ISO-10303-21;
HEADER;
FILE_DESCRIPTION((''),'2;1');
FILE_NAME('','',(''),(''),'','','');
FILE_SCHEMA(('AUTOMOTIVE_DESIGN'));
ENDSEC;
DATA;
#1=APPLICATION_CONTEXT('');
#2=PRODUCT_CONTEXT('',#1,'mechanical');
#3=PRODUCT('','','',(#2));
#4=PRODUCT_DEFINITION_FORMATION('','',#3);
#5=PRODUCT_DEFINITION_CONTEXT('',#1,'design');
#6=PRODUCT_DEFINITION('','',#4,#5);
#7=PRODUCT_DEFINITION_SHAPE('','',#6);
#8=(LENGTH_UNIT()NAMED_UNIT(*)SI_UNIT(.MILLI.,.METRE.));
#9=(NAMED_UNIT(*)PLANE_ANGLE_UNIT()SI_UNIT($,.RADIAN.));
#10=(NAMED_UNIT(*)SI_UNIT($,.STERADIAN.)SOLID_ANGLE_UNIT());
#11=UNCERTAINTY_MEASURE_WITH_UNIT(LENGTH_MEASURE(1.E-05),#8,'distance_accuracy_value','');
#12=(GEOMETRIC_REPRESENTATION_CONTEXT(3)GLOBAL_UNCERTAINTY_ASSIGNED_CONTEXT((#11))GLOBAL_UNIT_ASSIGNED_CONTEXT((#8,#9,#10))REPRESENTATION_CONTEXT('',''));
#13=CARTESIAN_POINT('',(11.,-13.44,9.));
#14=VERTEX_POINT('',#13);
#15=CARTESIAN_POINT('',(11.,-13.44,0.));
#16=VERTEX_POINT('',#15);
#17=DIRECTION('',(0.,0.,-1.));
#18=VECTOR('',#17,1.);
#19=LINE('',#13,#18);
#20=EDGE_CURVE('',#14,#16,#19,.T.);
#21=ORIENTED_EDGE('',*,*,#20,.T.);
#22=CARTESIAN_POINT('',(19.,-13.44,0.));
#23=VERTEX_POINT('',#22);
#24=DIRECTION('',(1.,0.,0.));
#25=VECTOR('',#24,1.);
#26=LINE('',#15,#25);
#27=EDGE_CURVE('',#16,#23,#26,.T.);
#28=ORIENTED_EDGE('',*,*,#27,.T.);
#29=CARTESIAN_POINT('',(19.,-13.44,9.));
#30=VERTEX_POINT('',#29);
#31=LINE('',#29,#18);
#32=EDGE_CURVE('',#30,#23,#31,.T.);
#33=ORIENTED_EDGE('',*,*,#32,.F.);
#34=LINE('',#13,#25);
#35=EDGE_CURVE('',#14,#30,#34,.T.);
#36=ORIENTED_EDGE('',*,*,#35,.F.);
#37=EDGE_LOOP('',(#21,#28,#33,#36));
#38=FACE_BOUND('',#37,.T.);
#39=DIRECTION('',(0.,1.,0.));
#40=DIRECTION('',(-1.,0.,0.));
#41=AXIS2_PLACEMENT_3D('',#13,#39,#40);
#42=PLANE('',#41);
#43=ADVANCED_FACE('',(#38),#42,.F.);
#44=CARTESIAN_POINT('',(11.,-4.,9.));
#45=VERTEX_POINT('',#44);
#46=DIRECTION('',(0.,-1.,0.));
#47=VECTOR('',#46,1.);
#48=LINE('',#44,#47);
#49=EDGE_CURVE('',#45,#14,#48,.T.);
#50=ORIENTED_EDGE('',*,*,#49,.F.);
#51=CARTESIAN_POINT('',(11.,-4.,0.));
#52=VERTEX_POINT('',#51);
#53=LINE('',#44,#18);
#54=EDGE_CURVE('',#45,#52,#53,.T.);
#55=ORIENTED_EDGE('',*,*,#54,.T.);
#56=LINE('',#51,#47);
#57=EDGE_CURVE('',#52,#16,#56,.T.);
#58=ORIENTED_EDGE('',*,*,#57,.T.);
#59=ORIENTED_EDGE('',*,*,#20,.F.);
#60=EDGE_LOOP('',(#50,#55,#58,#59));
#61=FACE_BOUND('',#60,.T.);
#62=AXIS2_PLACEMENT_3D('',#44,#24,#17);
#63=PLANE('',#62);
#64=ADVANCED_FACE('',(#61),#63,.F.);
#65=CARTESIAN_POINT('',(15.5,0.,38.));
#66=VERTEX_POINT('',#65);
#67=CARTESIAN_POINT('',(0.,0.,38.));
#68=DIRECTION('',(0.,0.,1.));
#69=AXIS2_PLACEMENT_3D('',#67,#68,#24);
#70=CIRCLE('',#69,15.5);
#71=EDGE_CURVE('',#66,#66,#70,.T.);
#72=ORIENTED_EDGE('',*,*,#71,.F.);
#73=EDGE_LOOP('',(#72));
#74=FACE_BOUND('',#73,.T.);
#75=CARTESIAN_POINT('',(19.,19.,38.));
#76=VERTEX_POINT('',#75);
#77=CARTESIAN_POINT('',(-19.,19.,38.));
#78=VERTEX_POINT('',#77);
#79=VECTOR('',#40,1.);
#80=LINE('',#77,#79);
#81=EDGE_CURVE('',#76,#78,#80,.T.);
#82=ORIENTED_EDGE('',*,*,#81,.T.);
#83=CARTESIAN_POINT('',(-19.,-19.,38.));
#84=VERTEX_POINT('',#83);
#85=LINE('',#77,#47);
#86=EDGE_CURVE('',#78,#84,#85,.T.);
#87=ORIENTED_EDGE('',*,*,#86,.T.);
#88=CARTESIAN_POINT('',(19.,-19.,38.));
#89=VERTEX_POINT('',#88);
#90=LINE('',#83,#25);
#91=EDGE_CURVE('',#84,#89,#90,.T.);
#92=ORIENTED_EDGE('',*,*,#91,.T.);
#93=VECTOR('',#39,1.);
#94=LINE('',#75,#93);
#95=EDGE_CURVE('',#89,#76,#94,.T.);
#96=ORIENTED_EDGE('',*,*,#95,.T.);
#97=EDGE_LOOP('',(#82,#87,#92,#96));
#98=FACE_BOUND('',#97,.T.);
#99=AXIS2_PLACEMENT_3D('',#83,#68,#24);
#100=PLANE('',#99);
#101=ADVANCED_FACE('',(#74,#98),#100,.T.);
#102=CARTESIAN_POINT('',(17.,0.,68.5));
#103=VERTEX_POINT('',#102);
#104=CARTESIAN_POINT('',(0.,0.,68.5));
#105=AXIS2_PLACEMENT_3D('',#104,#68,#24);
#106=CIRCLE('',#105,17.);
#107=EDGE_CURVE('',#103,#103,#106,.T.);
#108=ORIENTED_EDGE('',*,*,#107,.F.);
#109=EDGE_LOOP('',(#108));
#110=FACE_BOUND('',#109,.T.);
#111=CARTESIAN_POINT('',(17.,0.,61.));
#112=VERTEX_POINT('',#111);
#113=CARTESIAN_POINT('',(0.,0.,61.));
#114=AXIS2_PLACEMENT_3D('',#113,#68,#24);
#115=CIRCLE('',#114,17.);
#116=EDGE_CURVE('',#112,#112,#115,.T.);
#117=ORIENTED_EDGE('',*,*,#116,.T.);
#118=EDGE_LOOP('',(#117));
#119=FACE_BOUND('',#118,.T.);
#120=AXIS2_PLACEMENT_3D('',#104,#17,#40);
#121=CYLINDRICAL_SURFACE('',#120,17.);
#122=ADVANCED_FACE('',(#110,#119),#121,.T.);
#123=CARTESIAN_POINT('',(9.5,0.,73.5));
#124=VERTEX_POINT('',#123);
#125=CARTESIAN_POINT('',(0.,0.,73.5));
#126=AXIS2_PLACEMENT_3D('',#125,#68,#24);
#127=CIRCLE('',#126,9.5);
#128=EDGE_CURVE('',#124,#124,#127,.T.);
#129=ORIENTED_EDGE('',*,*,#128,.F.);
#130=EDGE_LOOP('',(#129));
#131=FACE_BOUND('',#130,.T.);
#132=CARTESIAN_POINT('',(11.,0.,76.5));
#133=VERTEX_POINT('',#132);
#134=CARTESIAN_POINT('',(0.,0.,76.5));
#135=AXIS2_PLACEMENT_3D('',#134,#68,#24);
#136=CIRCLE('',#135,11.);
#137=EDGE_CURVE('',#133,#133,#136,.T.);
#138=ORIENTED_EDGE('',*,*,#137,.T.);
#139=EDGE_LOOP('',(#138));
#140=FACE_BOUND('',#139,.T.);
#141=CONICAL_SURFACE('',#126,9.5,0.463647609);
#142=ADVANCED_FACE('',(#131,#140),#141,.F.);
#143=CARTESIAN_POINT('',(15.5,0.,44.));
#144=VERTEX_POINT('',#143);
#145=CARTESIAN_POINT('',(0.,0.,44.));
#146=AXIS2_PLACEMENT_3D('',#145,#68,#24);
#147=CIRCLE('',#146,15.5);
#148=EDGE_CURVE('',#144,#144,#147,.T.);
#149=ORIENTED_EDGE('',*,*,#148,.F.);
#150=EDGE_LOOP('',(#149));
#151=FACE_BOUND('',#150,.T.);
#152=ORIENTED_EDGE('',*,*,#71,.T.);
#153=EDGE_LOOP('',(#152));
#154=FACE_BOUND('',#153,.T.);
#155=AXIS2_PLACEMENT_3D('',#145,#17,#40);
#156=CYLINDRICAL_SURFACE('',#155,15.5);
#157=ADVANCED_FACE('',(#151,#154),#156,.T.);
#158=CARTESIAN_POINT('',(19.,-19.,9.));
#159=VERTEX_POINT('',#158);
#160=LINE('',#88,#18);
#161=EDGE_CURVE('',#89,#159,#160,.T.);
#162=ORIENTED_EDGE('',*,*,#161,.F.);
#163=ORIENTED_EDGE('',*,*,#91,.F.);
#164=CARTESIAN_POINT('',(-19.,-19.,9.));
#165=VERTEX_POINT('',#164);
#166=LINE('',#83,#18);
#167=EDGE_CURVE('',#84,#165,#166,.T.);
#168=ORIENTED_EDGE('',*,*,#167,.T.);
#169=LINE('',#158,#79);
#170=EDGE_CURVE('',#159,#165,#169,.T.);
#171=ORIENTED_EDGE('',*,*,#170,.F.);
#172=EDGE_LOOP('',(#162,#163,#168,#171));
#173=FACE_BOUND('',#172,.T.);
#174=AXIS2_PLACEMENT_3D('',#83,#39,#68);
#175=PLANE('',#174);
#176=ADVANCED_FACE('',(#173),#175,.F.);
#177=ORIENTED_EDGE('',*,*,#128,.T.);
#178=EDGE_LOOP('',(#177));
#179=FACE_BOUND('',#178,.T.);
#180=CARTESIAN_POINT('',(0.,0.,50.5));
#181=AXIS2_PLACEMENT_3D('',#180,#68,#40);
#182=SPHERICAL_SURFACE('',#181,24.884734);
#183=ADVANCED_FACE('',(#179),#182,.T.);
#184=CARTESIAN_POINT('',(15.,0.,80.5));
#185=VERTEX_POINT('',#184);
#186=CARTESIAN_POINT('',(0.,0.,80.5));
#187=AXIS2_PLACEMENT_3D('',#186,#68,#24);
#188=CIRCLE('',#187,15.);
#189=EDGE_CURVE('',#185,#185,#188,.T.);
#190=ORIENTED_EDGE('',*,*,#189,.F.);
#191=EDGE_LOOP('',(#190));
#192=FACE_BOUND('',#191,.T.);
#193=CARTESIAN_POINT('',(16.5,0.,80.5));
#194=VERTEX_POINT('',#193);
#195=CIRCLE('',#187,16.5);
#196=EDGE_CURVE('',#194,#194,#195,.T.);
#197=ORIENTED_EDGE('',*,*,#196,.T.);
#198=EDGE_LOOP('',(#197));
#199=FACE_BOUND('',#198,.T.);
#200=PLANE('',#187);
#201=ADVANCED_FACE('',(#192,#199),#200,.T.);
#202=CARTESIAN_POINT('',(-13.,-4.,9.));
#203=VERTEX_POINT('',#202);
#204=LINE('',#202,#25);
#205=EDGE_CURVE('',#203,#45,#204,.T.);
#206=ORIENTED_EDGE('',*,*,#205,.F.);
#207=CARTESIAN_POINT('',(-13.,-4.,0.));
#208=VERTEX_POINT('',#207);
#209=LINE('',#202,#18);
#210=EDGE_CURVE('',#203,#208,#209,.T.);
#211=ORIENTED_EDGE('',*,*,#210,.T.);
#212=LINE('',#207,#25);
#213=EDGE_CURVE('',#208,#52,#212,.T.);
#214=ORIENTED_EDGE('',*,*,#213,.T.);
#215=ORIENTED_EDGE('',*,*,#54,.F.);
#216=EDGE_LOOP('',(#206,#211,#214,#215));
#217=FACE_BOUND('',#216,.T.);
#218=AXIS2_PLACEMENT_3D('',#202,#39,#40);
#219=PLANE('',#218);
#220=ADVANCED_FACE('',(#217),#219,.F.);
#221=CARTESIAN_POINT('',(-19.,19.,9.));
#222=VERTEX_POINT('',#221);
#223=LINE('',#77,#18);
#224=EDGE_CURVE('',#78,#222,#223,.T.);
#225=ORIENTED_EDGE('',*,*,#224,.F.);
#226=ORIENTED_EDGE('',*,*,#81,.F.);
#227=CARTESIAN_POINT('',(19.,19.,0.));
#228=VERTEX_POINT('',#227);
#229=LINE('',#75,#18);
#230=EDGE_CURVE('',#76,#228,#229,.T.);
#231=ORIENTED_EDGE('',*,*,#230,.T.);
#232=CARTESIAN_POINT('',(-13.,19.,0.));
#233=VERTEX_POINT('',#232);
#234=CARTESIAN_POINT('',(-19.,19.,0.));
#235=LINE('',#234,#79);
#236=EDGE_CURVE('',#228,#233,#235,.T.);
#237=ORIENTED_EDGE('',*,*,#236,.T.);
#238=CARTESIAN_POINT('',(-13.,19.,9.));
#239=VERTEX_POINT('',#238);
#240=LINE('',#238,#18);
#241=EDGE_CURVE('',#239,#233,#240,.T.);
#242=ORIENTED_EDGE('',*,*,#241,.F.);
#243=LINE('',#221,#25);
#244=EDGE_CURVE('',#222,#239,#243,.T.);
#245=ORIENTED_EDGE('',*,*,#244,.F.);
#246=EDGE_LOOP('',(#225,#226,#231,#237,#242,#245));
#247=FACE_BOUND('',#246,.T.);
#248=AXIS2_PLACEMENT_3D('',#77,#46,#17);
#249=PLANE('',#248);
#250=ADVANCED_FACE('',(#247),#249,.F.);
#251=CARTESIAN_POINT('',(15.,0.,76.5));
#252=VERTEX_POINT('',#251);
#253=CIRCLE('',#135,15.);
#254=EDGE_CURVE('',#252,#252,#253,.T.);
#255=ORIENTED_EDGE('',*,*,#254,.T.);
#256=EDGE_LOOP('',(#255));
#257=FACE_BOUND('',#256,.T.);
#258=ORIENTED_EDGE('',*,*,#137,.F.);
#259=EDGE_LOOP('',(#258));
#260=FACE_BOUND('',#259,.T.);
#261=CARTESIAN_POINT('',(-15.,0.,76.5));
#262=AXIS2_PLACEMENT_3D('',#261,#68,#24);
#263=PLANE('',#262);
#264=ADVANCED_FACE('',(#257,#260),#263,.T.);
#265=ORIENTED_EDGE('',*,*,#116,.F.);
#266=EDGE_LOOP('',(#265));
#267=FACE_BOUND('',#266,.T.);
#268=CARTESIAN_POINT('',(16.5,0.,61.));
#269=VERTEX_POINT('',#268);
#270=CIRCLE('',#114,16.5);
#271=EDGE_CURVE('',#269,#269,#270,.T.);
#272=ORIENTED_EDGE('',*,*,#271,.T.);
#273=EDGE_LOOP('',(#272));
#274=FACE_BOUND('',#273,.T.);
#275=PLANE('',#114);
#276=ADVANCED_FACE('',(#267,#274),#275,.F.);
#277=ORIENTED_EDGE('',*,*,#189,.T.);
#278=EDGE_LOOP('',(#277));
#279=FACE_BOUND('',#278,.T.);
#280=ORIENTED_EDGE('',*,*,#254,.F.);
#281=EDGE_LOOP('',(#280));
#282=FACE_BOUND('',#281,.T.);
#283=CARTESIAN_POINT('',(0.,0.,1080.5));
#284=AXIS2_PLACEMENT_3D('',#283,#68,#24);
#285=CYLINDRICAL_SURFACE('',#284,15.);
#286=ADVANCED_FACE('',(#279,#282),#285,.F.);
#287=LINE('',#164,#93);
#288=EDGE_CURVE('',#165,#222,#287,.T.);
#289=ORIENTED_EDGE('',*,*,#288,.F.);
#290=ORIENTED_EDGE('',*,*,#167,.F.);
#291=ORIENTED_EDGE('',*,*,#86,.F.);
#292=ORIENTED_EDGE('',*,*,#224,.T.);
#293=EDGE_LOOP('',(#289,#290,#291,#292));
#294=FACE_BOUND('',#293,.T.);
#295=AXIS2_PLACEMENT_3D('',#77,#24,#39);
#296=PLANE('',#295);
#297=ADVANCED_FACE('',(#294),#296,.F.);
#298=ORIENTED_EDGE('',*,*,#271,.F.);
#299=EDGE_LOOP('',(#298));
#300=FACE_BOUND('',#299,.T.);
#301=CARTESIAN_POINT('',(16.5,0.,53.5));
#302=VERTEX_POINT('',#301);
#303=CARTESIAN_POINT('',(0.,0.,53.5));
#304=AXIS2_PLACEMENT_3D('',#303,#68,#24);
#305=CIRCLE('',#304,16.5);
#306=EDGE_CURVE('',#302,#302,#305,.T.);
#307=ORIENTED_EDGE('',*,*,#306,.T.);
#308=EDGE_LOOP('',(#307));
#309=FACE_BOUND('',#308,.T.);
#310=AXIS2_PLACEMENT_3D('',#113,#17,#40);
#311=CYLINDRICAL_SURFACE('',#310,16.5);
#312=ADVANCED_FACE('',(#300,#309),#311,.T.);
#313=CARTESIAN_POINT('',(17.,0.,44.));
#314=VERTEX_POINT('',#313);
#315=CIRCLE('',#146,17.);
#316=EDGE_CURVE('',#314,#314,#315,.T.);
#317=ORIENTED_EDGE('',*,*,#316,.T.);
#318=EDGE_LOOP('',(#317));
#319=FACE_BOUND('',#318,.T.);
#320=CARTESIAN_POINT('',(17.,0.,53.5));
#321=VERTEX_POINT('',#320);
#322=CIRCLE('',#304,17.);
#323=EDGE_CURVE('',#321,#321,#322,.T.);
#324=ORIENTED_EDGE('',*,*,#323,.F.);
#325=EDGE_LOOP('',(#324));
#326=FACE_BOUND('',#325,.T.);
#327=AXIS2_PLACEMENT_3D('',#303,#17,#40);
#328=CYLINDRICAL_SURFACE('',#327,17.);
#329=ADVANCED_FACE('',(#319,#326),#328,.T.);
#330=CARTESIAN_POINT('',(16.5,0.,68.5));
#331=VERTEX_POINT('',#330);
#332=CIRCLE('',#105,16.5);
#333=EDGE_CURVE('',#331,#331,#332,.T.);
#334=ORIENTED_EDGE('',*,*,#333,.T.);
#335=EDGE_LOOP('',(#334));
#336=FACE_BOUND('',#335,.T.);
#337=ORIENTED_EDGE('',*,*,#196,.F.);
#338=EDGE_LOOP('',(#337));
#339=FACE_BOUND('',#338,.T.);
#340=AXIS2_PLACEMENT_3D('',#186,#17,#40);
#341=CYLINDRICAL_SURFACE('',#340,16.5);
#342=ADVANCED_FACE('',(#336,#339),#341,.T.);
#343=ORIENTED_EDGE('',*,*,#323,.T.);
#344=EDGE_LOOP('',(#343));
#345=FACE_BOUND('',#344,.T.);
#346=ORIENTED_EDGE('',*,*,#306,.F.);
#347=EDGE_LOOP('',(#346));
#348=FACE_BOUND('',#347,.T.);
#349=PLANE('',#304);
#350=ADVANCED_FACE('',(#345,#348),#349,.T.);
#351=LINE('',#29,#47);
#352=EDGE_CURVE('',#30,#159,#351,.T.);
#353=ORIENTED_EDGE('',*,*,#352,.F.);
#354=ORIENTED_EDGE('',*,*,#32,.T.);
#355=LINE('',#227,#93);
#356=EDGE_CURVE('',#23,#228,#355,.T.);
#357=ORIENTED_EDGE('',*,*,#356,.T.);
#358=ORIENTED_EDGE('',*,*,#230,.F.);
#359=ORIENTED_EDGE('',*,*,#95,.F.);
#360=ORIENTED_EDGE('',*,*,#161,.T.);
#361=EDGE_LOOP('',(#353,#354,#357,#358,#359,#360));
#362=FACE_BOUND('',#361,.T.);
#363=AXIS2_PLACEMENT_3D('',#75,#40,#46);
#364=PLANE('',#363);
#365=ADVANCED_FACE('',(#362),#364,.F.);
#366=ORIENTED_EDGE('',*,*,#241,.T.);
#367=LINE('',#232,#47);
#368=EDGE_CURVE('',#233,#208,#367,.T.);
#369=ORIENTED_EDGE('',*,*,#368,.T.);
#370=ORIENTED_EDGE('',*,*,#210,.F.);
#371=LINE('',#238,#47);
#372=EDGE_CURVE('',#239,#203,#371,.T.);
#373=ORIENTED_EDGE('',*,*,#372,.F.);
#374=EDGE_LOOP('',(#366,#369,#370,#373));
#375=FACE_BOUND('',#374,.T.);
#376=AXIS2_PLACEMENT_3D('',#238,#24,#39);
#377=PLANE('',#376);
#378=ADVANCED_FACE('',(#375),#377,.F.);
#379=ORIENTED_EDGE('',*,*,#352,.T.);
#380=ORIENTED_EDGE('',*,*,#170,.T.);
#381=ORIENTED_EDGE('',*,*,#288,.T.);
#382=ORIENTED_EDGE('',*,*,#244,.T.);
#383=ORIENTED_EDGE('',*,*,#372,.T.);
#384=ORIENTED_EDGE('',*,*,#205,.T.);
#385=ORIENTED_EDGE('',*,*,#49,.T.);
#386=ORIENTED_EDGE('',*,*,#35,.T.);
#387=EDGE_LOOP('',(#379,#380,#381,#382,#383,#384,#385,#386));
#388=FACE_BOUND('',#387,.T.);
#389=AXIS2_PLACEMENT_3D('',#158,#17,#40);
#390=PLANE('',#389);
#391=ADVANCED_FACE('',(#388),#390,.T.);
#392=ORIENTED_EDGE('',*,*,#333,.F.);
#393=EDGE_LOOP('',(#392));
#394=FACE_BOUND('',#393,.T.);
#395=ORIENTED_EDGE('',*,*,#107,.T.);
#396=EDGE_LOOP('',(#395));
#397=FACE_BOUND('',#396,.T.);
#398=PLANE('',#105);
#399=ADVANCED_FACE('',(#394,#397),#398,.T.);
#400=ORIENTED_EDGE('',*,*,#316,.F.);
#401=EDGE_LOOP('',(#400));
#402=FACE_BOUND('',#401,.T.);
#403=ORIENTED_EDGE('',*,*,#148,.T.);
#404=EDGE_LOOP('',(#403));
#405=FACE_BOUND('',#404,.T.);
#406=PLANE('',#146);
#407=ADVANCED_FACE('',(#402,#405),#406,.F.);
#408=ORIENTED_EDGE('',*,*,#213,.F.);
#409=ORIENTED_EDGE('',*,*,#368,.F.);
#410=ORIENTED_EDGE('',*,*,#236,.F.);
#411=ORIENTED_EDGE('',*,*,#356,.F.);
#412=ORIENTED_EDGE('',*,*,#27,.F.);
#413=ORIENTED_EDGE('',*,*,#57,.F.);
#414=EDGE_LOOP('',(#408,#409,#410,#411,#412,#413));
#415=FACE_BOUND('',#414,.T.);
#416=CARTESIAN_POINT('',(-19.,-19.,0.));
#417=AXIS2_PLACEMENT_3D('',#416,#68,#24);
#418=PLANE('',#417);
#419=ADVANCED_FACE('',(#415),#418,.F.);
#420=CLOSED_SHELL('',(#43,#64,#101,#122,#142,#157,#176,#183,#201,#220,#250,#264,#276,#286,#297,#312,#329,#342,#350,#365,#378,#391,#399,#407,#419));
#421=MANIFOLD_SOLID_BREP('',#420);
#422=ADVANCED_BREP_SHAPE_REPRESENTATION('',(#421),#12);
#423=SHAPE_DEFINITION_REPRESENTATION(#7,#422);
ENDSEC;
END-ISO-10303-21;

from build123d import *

# Parameters (mm, degrees)
SKETCH_1_W          = 38
SKETCH_1_H          = 38
EXTRUDE_1_DEPTH     = 38
SKETCH_2_R          = 15.5
EXTRUDE_2_DEPTH     = 6
SKETCH_3_R          = 17
EXTRUDE_3_DEPTH     = 9.5
SKETCH_4_R          = 16.5
EXTRUDE_4_DEPTH     = 7.5
SKETCH_5_R          = 17
EXTRUDE_5_DEPTH     = 7.5
SKETCH_6_R          = 16.5
EXTRUDE_6_DEPTH     = 12
CUT_EXTRUDE_1_DEPTH = 9


with BuildPart() as part:
    # 草图1 → 拉伸1 (new body)
    with BuildSketch(Plane.XY):
        Rectangle(SKETCH_1_W, SKETCH_1_H)
    extrude(amount=EXTRUDE_1_DEPTH)

    # 草图2 → 拉伸2 (add)
    with BuildSketch(Plane.XY.offset(38)):
        Circle(SKETCH_2_R)
    extrude(amount=EXTRUDE_2_DEPTH)

    # 草图3 → 拉伸3 (add)
    with BuildSketch(Plane.XY.offset(44)):
        Circle(SKETCH_3_R)
    extrude(amount=EXTRUDE_3_DEPTH)

    # 草图4 → 拉伸4 (add)
    with BuildSketch(Plane.XY.offset(53.5)):
        Circle(SKETCH_4_R)
    extrude(amount=EXTRUDE_4_DEPTH)

    # 草图5 → 拉伸5 (add)
    with BuildSketch(Plane.XY.offset(61)):
        Circle(SKETCH_5_R)
    extrude(amount=EXTRUDE_5_DEPTH)

    # 草图6 → 拉伸6 (add)
    with BuildSketch(Plane.XY.offset(68.5)):
        Circle(SKETCH_6_R)
    extrude(amount=EXTRUDE_6_DEPTH)

    # 草图8 → 切除-旋转1 (revolve, cut)
    with BuildSketch(Plane(origin=(0, 0, 0), x_dir=(1, 0, 0), z_dir=(0, 1, 0)), mode=Mode.PRIVATE) as cut_revolve_1_sk:
        with BuildLine():
            Line((0, -80.5), (-15, -80.5))
            Line((-15, -80.5), (-15, -76.5))
            Line((-15, -76.5), (-11, -76.5))
            Line((-11, -76.5), (-9.5, -73.5))
            ThreePointArc((-9.5, -73.5), (-4.842577395, -74.909003343), (0, -75.384734276))
            Line((0, -75.384734276), (0, -80.5))
        make_face()
    revolve(cut_revolve_1_sk.sketch.rotate(Axis((0, 0, 1080.5), (0, 0, -1)), 180), axis=Axis((0, 0, 1080.5), (0, 0, -1)), mode=Mode.SUBTRACT)

    # 草图9 → 切除-拉伸1 (cut)
    with BuildSketch(Plane(origin=(0, 0, 0), x_dir=(-1, 0, 0), z_dir=(0, 0, -1))):
        Polygon((-19, -19), (19, -19), (19, 19), (13, 19), (13, -4), (-11, -4), (-11, -13.44), (-19, -13.44), align=None)
    extrude(amount=-CUT_EXTRUDE_1_DEPTH, mode=Mode.SUBTRACT)


solid = part.part
